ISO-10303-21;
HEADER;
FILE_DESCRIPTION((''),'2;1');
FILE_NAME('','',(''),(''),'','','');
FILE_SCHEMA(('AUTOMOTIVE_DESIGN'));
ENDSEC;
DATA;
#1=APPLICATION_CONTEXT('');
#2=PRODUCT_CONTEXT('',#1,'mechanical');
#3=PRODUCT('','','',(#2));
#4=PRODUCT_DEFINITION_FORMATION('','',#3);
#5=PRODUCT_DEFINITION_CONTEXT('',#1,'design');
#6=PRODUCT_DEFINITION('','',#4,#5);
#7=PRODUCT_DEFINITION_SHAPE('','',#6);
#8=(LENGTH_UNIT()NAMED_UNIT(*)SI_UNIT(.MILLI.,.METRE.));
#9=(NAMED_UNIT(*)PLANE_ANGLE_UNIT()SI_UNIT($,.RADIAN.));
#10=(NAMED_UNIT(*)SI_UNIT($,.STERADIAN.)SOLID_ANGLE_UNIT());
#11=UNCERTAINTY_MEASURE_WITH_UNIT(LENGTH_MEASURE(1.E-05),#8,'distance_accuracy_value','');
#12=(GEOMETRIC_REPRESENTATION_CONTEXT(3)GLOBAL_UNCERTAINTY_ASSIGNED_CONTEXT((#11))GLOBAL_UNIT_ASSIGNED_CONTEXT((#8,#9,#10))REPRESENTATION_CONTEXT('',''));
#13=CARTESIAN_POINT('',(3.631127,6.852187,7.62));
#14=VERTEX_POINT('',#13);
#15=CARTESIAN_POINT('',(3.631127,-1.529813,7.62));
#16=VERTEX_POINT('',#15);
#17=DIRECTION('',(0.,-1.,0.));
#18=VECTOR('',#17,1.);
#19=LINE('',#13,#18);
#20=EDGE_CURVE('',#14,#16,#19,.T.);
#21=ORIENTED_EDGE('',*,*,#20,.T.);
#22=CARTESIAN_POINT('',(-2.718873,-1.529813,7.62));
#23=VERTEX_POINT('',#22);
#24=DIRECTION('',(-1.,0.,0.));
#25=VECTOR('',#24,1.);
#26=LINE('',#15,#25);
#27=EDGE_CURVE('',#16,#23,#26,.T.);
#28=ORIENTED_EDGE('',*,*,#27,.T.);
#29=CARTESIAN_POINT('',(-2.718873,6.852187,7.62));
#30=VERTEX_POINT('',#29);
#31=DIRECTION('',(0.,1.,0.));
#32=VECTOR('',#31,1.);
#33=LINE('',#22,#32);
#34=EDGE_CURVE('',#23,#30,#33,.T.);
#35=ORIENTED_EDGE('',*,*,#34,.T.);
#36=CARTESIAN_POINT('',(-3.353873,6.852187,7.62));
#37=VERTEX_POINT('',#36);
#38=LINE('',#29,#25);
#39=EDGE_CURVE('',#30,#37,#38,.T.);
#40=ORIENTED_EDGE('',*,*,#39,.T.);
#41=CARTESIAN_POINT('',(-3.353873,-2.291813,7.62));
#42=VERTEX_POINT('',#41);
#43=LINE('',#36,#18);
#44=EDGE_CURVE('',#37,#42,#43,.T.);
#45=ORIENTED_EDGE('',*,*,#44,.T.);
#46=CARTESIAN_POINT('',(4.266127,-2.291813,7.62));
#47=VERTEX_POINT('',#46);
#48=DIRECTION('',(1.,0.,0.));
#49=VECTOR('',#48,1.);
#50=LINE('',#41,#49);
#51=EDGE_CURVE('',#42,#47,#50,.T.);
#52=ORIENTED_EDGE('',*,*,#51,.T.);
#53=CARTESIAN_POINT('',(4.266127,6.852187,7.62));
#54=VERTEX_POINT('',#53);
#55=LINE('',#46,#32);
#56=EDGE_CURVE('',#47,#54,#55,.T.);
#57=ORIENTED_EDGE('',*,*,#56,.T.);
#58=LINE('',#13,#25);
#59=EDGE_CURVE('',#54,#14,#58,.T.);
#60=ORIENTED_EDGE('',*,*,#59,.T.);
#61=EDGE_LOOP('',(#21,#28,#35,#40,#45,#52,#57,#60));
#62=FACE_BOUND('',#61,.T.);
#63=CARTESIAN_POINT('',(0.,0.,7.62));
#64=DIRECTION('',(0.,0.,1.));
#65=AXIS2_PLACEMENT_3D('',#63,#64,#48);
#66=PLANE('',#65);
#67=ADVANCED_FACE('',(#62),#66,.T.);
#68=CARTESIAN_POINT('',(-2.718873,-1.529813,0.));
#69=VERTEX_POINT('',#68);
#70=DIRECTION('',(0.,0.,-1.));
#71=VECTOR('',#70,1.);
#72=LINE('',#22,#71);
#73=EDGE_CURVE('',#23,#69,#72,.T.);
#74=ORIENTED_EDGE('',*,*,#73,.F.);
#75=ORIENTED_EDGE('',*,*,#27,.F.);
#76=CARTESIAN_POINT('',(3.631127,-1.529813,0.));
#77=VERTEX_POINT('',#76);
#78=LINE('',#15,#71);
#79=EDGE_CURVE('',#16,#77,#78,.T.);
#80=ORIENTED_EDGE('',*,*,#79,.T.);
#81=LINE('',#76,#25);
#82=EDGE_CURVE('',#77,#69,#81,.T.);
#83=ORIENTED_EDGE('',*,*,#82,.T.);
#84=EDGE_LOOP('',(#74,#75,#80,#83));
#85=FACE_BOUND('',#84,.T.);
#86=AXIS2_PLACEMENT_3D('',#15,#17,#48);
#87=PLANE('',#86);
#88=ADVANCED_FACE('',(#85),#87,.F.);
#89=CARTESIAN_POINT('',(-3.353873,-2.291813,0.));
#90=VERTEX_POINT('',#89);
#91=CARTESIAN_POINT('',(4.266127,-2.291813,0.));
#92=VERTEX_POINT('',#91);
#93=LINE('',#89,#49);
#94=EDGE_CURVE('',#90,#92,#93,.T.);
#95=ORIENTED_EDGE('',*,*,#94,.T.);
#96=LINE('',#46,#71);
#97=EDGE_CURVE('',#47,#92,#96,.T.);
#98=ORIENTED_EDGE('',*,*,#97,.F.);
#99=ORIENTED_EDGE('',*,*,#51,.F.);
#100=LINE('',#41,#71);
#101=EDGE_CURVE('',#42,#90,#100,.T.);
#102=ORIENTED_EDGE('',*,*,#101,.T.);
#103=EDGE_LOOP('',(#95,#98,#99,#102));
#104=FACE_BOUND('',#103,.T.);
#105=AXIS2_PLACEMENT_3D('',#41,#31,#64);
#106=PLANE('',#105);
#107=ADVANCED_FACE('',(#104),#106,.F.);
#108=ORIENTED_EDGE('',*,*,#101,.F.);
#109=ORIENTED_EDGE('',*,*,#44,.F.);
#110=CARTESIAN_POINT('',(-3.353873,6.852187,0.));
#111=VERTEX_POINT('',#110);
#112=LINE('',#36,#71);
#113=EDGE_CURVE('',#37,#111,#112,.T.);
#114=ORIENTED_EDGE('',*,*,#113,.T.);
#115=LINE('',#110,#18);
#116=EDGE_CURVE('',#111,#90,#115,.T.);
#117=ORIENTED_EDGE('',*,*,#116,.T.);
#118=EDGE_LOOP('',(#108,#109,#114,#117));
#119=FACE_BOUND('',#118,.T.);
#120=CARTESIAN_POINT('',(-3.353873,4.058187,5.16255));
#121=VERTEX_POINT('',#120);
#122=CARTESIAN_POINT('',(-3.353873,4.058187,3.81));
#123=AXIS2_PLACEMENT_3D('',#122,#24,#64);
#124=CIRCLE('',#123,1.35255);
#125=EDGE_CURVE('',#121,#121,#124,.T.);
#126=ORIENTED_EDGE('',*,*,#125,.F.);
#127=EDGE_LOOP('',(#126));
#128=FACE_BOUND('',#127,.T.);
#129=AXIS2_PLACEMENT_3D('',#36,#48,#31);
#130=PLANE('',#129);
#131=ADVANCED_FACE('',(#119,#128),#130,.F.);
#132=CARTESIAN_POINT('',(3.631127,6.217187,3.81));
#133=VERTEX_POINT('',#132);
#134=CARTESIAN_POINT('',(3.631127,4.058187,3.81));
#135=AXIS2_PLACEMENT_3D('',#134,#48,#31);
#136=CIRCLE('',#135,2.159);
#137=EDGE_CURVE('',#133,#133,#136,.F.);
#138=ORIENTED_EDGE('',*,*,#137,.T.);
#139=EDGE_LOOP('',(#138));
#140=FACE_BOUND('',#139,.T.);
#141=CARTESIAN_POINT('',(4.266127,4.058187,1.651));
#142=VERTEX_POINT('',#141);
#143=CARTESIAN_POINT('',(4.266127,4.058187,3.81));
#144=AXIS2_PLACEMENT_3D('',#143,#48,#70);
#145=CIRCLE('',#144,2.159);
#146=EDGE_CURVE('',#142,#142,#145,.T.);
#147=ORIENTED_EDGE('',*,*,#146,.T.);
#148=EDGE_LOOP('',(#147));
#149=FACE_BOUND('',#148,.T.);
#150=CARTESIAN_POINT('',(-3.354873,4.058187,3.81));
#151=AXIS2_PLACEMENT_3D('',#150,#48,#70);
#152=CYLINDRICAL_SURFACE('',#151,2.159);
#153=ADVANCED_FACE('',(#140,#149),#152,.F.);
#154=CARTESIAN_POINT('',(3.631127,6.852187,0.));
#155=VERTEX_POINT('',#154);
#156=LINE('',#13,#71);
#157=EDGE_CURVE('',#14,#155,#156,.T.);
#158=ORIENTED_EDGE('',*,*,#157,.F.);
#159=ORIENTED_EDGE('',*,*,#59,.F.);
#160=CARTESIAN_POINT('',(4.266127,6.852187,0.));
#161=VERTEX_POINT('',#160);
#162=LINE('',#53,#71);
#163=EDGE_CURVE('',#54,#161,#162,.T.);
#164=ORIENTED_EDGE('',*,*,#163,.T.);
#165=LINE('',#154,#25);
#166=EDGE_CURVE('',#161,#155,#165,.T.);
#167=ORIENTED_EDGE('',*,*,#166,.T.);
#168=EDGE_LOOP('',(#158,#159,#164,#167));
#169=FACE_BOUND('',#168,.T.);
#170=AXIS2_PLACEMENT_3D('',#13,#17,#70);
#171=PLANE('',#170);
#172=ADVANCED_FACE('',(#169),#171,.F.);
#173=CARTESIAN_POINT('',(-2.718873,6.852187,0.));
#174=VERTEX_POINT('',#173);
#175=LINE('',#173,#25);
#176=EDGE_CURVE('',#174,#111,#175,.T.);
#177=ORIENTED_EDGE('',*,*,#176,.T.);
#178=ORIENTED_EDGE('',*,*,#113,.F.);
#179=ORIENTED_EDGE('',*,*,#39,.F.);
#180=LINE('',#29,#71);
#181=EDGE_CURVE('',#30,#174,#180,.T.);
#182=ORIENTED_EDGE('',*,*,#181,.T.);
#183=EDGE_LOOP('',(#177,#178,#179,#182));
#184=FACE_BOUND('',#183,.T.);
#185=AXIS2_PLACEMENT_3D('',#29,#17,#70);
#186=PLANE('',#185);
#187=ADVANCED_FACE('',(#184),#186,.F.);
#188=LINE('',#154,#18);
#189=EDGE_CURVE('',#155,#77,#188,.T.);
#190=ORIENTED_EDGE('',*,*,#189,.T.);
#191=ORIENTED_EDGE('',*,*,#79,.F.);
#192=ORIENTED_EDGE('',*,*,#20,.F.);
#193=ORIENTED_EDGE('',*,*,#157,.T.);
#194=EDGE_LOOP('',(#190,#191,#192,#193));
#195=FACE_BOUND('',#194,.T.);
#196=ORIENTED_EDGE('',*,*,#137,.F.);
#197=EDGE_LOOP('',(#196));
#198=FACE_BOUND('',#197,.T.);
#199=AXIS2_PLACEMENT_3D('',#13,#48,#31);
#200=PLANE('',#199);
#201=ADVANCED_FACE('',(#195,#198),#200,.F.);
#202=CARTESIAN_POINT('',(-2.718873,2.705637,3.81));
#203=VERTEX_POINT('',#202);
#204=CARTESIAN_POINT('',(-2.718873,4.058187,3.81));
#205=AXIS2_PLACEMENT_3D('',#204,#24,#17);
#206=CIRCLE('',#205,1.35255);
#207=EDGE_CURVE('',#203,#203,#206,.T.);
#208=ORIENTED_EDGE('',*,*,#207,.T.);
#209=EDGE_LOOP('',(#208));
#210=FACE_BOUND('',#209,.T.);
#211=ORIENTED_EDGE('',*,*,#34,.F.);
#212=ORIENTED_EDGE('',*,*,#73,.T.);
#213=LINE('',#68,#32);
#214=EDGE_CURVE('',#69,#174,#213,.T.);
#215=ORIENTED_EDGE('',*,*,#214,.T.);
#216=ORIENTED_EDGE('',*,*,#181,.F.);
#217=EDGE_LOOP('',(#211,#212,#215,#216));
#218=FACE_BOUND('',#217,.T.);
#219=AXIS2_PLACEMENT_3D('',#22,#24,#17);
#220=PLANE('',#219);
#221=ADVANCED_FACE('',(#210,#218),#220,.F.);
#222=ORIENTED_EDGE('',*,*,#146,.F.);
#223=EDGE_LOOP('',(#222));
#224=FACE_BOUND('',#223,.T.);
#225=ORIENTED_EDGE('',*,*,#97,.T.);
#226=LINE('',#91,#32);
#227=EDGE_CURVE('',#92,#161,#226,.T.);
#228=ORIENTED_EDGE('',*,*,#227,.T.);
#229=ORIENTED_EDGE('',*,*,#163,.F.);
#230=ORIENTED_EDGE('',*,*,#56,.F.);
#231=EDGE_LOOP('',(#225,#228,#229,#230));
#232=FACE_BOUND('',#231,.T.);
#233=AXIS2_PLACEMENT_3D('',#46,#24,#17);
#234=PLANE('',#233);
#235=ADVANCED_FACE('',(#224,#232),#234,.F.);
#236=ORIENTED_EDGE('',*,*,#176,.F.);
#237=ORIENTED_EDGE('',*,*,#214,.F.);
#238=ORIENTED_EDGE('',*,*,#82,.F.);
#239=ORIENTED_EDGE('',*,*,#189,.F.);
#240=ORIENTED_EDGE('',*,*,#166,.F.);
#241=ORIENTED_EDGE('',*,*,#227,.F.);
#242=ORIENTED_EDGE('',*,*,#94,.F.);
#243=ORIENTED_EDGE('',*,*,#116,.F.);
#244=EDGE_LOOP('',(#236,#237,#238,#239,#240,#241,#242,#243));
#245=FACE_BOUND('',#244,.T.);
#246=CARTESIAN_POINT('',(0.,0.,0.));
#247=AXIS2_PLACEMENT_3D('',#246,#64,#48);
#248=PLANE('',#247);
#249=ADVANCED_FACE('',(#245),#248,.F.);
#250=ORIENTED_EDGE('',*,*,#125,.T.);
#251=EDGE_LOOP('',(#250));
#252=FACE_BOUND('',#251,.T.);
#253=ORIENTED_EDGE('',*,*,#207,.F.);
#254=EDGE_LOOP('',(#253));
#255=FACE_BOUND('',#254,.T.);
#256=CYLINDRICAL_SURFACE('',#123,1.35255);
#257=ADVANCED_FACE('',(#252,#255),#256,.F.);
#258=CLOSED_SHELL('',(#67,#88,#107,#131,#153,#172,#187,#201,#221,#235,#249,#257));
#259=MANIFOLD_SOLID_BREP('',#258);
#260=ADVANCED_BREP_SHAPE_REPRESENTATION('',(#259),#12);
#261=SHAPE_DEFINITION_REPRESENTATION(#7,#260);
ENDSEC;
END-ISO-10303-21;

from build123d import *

# Parameters (mm, degrees)
BOSS_EXTRUDE1_DEPTH       = 7.62
F_6_32_TAPPED_HOLE1_D     = 2.7051
F_6_32_TAPPED_HOLE1_DEPTH = 0.635
CUT_EXTRUDE1_REACH        = 9.62
SKETCH6_R                 = 2.159


with BuildPart() as part:
    # Sketch1 → Boss-Extrude1 (new body)
    with BuildSketch(Plane.XY):
        Polygon((-3.353873239, 6.85218662), (-3.353873239, -2.29181338), (4.266126761, -2.29181338), (4.266126761, 6.85218662), (3.631126761, 6.85218662), (3.631126761, -1.52981338), (-2.718873239, -1.52981338), (-2.718873239, 6.85218662), align=None)
    extrude(amount=BOSS_EXTRUDE1_DEPTH)

    # #6-32 Tapped Hole1
    with Locations(Plane.ZY.offset(3.353873239)):
        with Locations((3.81, 4.05818662)):
            Hole(F_6_32_TAPPED_HOLE1_D / 2, depth=F_6_32_TAPPED_HOLE1_DEPTH)

    # Sketch6 → Cut-Extrude1 (cut, up to next)
    with BuildSketch(Plane(origin=(4.266126761, 0, 0), x_dir=(0, 0, -1), z_dir=(1, 0, 0)), mode=Mode.PRIVATE) as cut_extrude1_sk1:
        with Locations((-3.81, 4.05818662)):
            Circle(SKETCH6_R)
    cut_extrude1_tool1 = extrude(cut_extrude1_sk1.sketch, amount=-CUT_EXTRUDE1_REACH, mode=Mode.PRIVATE) & part.part
    add(cut_extrude1_tool1.solids().sort_by_distance((4.266127, 4.058187, 3.81))[0], mode=Mode.SUBTRACT)


solid = part.part
